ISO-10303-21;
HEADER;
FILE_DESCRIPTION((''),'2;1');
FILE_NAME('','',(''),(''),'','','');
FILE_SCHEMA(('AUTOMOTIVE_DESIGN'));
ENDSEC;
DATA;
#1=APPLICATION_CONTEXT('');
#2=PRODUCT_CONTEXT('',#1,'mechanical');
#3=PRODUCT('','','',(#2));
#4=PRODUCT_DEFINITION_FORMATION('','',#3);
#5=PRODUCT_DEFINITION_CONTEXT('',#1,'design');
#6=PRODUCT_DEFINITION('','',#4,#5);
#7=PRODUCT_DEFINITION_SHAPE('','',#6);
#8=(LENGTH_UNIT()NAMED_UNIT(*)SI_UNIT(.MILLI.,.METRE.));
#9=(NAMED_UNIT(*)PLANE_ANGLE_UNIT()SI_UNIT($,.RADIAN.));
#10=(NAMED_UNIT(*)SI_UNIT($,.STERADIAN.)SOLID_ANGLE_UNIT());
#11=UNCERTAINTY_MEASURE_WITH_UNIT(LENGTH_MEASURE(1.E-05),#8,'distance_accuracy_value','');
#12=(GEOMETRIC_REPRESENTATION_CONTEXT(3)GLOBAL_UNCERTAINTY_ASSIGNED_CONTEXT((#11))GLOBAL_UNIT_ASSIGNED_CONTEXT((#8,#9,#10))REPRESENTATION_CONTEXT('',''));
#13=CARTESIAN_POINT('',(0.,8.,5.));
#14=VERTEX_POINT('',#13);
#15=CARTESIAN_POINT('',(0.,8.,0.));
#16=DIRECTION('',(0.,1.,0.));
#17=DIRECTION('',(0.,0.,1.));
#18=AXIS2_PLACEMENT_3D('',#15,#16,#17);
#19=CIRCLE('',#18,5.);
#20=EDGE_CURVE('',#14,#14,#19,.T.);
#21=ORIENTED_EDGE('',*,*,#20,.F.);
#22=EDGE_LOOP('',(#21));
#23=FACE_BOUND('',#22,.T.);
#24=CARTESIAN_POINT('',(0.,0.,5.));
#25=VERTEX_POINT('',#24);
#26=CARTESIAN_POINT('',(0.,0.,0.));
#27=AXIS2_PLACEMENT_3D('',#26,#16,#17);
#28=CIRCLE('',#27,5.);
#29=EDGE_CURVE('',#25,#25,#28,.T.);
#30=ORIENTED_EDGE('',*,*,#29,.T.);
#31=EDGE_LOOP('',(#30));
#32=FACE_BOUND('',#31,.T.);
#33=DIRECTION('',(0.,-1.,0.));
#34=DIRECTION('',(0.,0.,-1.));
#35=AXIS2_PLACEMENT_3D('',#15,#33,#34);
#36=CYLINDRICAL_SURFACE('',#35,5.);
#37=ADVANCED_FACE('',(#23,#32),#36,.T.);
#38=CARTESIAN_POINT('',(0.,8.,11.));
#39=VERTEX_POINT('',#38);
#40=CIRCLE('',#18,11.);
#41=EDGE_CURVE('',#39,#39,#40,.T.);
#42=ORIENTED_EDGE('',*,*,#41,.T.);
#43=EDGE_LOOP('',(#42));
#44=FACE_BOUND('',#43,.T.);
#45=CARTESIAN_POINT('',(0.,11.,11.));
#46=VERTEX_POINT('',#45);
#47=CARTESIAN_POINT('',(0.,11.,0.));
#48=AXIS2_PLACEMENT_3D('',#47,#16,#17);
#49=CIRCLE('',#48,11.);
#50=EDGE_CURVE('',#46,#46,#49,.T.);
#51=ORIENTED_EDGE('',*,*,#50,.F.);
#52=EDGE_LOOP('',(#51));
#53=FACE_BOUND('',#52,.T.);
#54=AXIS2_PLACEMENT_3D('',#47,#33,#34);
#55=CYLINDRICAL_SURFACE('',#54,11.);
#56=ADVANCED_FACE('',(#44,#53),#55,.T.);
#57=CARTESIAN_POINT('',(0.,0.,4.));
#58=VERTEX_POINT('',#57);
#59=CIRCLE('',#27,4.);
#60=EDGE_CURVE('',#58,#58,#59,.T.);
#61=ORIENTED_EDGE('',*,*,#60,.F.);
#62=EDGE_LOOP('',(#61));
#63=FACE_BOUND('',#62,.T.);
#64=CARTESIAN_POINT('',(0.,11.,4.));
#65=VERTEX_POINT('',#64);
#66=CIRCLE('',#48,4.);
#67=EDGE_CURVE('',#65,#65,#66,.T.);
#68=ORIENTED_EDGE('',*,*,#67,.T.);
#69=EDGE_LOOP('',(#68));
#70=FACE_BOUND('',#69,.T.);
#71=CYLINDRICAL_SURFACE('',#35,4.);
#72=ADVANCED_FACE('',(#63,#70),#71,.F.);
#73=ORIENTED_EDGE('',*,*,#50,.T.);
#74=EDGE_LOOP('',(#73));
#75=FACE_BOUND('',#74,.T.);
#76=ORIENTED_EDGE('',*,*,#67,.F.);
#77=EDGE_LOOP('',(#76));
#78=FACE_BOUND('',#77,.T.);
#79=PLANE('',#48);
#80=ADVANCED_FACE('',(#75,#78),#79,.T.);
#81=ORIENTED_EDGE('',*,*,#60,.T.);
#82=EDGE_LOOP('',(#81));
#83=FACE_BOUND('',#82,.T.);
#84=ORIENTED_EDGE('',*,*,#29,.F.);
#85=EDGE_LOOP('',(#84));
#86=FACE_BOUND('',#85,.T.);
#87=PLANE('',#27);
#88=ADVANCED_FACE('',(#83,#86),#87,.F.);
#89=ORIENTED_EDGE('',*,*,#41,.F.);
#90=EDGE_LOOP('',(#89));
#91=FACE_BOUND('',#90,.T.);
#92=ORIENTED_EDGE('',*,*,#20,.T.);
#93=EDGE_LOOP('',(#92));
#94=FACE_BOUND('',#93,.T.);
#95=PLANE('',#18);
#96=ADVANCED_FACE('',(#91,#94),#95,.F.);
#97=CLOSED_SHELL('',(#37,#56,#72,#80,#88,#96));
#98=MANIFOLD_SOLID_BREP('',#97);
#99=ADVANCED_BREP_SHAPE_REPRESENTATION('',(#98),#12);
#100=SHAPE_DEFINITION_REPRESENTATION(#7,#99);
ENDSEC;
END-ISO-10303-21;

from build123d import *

# Parameters (mm, degrees)
SKICA1_R                = 5
SKICA1_R_2              = 4
P_IDAT_VYSUNUT_M1_DEPTH = 8
SKICA2_R                = 11
SKICA2_R_2              = 4
P_IDAT_VYSUNUT_M2_DEPTH = 3


with BuildPart() as part:
    # Skica1 → Přidat vysunutím1 (new body)
    with BuildSketch(Plane(origin=(0, 0, 0), x_dir=(1, 0, 0), z_dir=(0, 1, 0))):
        with Locations(Location((0, 0, 0), (0, 0, 270))):
            Circle(SKICA1_R)
        with Locations(Location((0, 0, 0), (0, 0, 270))):
            Circle(SKICA1_R_2, mode=Mode.SUBTRACT)
    extrude(amount=P_IDAT_VYSUNUT_M1_DEPTH)

    # Skica2 → Přidat vysunutím2 (add)
    with BuildSketch(Plane(origin=(0, 8, 0), x_dir=(1, 0, 0), z_dir=(0, 1, 0))):
        with Locations(Location((0, 0, 0), (0, 0, 270))):
            Circle(SKICA2_R)
        with Locations(Location((0, 0, 0), (0, 0, 270))):
            Circle(SKICA2_R_2, mode=Mode.SUBTRACT)
    extrude(amount=P_IDAT_VYSUNUT_M2_DEPTH)


solid = part.part
